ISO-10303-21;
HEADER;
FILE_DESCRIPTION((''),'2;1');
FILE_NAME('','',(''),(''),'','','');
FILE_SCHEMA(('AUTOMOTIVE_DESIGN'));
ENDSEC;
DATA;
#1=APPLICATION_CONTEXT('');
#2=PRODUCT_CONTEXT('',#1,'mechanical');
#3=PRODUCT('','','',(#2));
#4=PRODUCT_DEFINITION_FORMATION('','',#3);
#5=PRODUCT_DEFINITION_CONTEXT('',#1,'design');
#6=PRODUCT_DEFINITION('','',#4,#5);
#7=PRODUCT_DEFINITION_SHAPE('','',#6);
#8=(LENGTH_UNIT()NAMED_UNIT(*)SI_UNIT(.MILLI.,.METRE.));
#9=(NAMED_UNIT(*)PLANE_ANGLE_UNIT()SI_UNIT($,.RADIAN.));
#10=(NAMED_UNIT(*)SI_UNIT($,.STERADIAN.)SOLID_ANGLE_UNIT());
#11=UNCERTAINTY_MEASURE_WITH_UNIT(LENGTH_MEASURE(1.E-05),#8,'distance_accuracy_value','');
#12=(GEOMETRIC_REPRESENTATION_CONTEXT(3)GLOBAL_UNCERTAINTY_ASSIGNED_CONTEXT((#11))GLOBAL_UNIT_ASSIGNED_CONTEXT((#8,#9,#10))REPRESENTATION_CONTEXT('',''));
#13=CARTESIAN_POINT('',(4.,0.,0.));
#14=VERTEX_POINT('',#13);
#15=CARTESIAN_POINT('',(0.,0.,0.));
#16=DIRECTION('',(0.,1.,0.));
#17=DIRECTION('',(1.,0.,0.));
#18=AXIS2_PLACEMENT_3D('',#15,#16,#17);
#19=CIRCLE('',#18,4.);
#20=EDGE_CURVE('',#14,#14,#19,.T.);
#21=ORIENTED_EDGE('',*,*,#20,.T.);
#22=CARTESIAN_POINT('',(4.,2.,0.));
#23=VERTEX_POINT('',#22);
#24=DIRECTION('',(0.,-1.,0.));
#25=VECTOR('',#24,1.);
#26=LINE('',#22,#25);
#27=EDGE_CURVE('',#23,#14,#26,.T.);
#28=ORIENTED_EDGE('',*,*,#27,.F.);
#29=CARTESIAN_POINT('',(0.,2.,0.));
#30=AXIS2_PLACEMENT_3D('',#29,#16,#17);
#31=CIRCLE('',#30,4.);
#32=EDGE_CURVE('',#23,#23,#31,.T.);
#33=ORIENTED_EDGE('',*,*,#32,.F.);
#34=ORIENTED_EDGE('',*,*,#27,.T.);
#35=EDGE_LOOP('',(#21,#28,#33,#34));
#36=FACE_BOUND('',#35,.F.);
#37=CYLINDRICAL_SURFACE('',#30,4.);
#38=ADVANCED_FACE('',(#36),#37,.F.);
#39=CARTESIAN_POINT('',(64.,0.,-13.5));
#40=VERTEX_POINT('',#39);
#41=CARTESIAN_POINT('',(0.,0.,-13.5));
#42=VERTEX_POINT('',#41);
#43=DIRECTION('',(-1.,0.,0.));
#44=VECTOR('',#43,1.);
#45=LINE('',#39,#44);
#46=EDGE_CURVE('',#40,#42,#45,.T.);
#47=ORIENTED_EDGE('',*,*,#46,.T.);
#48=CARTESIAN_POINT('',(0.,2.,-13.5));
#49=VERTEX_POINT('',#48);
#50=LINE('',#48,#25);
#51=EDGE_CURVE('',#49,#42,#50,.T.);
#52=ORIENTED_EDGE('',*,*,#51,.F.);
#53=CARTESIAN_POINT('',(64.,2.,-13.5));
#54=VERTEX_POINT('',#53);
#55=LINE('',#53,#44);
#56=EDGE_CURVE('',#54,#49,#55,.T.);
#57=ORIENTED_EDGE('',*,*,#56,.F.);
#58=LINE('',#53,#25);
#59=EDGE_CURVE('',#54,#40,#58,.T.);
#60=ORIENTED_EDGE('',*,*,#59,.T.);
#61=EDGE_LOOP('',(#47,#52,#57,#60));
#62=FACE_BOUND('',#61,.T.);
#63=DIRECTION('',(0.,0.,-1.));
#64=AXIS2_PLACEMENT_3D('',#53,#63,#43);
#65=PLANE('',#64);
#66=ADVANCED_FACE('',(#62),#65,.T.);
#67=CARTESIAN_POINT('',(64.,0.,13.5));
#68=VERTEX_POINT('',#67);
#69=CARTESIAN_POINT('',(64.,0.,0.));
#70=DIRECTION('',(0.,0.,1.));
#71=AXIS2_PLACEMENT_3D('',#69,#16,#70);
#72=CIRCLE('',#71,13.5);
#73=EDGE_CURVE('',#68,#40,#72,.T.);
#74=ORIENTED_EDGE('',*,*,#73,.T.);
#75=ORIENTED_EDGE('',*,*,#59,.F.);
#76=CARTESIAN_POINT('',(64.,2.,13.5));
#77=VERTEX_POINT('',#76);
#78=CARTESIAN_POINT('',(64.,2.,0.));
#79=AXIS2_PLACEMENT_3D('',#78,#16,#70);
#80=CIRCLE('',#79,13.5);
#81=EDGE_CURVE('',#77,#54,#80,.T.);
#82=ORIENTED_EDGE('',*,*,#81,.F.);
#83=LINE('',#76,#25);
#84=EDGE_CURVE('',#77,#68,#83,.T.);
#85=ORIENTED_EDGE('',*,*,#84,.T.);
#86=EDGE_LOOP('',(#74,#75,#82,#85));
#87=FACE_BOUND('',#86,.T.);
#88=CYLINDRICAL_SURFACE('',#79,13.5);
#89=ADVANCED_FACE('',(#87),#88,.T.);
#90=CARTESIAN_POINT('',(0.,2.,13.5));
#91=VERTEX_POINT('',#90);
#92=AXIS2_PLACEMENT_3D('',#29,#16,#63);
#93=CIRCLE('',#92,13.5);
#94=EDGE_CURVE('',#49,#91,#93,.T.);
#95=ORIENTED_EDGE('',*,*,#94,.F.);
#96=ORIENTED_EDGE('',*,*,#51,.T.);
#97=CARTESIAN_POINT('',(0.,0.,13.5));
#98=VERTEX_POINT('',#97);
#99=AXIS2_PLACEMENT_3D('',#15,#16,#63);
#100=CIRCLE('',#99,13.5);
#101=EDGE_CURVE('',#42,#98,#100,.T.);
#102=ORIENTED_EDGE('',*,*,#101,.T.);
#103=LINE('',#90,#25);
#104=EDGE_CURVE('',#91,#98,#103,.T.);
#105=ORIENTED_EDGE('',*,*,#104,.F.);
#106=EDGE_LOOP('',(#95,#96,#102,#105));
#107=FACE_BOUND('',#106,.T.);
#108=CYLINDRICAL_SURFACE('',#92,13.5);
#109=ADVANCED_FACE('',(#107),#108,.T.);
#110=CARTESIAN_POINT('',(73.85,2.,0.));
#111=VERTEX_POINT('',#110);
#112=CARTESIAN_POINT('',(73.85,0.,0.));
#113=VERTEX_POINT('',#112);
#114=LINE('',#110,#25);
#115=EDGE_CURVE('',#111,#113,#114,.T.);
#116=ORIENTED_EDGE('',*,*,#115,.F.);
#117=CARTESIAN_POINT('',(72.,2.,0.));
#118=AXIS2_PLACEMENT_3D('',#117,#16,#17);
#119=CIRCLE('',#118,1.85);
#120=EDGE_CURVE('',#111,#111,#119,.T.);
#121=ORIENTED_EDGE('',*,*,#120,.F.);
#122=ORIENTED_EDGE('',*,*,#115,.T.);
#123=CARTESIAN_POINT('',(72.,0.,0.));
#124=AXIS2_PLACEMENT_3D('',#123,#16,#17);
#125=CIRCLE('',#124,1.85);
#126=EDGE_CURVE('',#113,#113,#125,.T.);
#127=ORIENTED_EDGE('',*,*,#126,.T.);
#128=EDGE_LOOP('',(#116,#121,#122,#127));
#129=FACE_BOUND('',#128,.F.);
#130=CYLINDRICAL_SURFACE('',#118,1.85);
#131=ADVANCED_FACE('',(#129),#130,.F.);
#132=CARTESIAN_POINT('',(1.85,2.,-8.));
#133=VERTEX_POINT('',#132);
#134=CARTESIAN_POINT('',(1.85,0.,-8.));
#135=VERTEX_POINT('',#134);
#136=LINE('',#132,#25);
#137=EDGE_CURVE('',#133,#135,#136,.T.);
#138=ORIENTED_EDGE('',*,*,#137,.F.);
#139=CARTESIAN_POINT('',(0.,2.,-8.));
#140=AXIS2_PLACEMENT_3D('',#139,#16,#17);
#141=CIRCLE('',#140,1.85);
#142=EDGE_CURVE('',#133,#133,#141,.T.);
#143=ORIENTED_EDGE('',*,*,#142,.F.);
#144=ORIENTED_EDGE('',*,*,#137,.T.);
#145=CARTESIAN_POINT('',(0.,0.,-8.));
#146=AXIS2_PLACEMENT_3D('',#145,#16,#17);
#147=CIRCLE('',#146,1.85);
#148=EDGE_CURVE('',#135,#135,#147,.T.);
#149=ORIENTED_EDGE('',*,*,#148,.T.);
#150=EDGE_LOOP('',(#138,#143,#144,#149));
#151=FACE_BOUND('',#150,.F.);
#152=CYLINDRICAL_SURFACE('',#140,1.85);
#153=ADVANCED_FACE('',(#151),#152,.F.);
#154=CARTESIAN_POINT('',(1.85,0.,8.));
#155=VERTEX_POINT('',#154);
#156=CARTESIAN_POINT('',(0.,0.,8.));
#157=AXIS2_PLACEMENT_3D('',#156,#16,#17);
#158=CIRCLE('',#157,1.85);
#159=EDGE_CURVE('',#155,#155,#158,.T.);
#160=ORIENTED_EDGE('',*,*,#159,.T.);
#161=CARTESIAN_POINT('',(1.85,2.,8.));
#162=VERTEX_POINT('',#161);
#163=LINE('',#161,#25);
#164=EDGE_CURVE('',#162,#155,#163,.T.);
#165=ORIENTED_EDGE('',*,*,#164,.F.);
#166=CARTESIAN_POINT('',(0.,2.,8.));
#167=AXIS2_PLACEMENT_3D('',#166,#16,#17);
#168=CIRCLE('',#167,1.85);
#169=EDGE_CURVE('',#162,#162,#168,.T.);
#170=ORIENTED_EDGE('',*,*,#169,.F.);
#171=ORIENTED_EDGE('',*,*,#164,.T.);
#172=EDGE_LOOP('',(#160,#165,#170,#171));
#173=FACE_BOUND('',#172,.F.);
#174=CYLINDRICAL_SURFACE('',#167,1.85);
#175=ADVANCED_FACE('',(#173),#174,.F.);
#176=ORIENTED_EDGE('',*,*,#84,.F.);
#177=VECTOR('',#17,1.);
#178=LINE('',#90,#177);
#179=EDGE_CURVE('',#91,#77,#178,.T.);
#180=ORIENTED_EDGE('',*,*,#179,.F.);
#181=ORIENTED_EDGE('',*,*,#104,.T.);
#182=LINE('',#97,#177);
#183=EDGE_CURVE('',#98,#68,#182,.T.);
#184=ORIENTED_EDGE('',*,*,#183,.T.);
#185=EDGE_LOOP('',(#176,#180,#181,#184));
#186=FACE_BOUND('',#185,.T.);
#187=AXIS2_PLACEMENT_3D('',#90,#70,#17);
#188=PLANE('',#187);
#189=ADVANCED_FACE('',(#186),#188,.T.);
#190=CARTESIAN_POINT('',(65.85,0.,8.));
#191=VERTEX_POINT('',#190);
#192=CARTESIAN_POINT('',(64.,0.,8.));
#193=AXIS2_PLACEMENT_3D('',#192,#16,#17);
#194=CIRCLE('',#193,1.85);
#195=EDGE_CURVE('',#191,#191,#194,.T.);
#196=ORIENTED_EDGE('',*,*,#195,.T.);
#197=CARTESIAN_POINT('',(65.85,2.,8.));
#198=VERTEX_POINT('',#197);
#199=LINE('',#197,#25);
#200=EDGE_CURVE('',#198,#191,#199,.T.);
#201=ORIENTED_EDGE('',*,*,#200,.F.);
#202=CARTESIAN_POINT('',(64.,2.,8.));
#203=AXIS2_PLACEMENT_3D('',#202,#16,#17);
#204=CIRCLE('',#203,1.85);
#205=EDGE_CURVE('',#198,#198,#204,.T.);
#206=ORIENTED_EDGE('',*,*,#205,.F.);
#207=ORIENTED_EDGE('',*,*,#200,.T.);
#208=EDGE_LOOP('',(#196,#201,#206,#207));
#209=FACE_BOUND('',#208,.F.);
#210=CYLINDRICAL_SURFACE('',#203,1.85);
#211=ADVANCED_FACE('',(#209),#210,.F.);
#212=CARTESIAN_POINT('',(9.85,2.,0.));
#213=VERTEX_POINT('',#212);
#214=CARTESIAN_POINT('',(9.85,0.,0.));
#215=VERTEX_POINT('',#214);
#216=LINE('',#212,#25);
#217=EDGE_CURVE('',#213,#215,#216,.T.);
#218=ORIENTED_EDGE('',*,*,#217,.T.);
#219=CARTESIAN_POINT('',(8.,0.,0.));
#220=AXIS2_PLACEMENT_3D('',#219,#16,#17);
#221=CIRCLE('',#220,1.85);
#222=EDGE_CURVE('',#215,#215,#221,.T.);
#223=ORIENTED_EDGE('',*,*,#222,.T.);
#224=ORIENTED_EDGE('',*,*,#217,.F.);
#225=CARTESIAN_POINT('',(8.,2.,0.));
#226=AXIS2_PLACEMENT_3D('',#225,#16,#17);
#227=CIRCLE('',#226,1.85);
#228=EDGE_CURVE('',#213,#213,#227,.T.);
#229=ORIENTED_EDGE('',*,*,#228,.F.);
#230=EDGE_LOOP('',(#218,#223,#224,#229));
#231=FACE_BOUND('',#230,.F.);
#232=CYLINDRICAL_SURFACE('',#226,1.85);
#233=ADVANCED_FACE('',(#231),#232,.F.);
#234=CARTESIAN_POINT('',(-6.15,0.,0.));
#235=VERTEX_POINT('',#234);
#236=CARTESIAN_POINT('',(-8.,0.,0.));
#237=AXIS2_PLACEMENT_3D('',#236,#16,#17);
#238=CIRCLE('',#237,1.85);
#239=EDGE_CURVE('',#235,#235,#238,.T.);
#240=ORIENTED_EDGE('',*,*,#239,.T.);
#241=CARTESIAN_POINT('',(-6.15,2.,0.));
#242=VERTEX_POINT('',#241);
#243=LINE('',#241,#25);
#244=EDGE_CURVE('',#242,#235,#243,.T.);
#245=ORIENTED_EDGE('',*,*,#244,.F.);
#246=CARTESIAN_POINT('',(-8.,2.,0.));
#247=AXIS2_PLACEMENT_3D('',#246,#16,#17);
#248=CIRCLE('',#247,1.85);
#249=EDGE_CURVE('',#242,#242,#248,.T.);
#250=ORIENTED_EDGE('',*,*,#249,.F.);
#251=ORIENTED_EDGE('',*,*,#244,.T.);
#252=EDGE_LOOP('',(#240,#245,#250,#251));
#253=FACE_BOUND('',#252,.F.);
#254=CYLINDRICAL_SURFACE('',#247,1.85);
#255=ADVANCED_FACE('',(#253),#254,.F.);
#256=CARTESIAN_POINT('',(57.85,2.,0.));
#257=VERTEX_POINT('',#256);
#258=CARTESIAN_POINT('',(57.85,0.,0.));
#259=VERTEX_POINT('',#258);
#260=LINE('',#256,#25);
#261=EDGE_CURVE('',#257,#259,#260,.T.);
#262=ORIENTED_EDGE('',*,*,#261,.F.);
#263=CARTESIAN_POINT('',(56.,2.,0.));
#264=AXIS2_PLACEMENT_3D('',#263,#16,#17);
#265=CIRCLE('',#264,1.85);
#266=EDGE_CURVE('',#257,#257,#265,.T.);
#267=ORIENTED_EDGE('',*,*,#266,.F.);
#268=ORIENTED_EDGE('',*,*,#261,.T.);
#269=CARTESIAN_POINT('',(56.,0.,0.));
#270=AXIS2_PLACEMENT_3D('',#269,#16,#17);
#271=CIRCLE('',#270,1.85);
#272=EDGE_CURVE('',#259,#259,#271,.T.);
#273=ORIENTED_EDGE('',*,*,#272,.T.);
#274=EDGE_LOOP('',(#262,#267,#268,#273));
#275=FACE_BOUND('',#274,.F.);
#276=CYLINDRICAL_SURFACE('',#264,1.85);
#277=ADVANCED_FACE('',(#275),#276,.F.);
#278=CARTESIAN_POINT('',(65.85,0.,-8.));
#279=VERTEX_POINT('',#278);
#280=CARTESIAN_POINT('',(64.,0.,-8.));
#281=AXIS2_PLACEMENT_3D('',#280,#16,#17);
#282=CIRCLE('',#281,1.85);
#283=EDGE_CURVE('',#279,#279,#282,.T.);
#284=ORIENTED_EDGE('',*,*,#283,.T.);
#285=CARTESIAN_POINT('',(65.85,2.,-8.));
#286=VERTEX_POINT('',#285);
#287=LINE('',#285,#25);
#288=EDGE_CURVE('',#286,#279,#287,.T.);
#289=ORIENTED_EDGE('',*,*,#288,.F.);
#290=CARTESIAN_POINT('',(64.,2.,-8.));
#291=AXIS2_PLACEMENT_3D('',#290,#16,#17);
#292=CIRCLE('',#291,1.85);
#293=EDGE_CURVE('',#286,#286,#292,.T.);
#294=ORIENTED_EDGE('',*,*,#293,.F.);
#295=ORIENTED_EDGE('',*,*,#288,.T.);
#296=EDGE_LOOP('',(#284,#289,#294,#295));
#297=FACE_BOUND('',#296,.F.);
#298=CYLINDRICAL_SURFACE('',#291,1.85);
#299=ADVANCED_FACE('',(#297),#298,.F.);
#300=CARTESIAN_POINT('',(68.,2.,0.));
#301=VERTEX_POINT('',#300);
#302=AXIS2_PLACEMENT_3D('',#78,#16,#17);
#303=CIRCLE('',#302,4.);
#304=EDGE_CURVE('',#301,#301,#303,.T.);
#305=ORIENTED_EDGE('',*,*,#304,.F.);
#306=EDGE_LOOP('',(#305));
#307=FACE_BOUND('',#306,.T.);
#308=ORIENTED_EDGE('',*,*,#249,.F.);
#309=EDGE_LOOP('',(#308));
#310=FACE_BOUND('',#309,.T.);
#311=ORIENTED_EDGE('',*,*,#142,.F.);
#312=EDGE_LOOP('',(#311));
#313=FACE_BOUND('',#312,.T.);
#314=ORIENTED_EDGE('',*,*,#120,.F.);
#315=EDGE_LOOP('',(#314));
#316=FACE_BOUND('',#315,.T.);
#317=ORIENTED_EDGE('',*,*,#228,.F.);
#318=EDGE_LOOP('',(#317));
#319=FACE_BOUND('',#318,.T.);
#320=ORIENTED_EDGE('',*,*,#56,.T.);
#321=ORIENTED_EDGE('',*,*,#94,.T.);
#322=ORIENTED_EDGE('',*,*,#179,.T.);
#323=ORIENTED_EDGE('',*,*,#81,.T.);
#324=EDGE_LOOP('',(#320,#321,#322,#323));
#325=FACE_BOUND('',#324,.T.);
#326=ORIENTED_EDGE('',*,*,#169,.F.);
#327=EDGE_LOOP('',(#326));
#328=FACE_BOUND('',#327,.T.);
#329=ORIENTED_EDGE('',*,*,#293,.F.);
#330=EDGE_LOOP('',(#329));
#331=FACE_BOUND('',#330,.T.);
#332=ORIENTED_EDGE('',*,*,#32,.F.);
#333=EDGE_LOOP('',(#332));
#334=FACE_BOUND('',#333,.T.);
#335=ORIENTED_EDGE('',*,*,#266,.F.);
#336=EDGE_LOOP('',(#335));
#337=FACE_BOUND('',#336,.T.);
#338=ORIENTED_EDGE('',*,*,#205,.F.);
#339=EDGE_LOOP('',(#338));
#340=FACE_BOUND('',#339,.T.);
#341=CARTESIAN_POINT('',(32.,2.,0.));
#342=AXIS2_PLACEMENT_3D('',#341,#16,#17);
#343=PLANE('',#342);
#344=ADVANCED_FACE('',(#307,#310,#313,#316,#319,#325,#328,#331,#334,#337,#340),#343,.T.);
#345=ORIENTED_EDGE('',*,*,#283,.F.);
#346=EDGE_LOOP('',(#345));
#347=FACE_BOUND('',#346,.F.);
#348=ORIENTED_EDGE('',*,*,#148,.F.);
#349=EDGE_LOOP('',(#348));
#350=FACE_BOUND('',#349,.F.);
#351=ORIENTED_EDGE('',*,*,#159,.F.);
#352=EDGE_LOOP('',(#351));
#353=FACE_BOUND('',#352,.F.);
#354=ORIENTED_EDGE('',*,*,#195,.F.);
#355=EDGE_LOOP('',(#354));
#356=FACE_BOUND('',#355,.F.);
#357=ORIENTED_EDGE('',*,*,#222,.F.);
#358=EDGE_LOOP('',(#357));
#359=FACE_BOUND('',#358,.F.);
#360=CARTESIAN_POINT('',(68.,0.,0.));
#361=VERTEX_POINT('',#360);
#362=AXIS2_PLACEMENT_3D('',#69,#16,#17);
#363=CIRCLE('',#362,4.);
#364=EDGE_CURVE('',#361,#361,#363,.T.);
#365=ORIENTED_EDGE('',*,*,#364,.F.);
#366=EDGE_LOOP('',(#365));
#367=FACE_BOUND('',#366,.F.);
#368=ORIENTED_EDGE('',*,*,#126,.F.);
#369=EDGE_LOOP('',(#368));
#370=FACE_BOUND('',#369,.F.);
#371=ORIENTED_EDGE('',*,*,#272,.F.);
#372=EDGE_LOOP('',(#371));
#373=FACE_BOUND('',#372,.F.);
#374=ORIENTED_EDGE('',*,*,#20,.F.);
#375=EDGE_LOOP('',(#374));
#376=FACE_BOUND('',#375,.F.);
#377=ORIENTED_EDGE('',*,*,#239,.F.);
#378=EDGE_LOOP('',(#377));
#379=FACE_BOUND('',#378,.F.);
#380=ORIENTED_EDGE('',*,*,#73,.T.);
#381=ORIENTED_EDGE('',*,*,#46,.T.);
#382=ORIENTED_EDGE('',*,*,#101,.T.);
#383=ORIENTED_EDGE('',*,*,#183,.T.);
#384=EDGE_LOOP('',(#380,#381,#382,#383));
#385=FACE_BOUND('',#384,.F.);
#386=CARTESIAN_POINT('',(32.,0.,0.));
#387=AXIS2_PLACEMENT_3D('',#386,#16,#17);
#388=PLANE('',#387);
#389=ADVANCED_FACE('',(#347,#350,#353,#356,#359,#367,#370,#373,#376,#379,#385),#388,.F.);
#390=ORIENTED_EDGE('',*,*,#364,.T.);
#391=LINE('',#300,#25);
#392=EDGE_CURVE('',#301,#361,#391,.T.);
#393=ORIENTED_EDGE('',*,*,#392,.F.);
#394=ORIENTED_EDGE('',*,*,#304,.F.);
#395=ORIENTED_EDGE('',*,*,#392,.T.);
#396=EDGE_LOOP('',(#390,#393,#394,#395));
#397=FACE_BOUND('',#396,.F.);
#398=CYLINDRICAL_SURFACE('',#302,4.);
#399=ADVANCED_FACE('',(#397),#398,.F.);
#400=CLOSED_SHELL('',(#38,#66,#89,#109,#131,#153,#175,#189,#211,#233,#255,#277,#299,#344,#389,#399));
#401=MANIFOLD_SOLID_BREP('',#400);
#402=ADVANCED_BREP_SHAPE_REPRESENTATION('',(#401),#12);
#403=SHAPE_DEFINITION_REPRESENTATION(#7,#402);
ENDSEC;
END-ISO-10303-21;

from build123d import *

# Parameters (mm, degrees)
SKETCH1_R           = 1.85
SKETCH1_R_2         = 4
BOSS_EXTRUDE1_DEPTH = 2


with BuildPart() as part:
    # Sketch1 → Boss-Extrude1 (new body)
    with BuildSketch(Plane(origin=(0, 2, 0), x_dir=(1, 0, 0), z_dir=(0, 1, 0))):
        with BuildLine():
            Line((64, 13.5), (0, 13.5))
            ThreePointArc((0, 13.5), (-13.5, 0), (0, -13.5))
            Line((0, -13.5), (64, -13.5))
            ThreePointArc((64, -13.5), (77.5, 0), (64, 13.5))
        make_face()
        with Locations((56, 0)):
            Circle(SKETCH1_R, mode=Mode.SUBTRACT)
        with Locations((64, -8)):
            Circle(SKETCH1_R, mode=Mode.SUBTRACT)
        with Locations((72, 0)):
            Circle(SKETCH1_R, mode=Mode.SUBTRACT)
        with Locations((64, 8)):
            Circle(SKETCH1_R, mode=Mode.SUBTRACT)
        with Locations((64, 0)):
            Circle(SKETCH1_R_2, mode=Mode.SUBTRACT)
        with Locations((-8, 0)):
            Circle(SKETCH1_R, mode=Mode.SUBTRACT)
        with Locations((0, -8)):
            Circle(SKETCH1_R, mode=Mode.SUBTRACT)
        with Locations((8, 0)):
            Circle(SKETCH1_R, mode=Mode.SUBTRACT)
        with Locations((0, 8)):
            Circle(SKETCH1_R, mode=Mode.SUBTRACT)
        Circle(SKETCH1_R_2, mode=Mode.SUBTRACT)
    extrude(amount=-BOSS_EXTRUDE1_DEPTH)


solid = part.part
